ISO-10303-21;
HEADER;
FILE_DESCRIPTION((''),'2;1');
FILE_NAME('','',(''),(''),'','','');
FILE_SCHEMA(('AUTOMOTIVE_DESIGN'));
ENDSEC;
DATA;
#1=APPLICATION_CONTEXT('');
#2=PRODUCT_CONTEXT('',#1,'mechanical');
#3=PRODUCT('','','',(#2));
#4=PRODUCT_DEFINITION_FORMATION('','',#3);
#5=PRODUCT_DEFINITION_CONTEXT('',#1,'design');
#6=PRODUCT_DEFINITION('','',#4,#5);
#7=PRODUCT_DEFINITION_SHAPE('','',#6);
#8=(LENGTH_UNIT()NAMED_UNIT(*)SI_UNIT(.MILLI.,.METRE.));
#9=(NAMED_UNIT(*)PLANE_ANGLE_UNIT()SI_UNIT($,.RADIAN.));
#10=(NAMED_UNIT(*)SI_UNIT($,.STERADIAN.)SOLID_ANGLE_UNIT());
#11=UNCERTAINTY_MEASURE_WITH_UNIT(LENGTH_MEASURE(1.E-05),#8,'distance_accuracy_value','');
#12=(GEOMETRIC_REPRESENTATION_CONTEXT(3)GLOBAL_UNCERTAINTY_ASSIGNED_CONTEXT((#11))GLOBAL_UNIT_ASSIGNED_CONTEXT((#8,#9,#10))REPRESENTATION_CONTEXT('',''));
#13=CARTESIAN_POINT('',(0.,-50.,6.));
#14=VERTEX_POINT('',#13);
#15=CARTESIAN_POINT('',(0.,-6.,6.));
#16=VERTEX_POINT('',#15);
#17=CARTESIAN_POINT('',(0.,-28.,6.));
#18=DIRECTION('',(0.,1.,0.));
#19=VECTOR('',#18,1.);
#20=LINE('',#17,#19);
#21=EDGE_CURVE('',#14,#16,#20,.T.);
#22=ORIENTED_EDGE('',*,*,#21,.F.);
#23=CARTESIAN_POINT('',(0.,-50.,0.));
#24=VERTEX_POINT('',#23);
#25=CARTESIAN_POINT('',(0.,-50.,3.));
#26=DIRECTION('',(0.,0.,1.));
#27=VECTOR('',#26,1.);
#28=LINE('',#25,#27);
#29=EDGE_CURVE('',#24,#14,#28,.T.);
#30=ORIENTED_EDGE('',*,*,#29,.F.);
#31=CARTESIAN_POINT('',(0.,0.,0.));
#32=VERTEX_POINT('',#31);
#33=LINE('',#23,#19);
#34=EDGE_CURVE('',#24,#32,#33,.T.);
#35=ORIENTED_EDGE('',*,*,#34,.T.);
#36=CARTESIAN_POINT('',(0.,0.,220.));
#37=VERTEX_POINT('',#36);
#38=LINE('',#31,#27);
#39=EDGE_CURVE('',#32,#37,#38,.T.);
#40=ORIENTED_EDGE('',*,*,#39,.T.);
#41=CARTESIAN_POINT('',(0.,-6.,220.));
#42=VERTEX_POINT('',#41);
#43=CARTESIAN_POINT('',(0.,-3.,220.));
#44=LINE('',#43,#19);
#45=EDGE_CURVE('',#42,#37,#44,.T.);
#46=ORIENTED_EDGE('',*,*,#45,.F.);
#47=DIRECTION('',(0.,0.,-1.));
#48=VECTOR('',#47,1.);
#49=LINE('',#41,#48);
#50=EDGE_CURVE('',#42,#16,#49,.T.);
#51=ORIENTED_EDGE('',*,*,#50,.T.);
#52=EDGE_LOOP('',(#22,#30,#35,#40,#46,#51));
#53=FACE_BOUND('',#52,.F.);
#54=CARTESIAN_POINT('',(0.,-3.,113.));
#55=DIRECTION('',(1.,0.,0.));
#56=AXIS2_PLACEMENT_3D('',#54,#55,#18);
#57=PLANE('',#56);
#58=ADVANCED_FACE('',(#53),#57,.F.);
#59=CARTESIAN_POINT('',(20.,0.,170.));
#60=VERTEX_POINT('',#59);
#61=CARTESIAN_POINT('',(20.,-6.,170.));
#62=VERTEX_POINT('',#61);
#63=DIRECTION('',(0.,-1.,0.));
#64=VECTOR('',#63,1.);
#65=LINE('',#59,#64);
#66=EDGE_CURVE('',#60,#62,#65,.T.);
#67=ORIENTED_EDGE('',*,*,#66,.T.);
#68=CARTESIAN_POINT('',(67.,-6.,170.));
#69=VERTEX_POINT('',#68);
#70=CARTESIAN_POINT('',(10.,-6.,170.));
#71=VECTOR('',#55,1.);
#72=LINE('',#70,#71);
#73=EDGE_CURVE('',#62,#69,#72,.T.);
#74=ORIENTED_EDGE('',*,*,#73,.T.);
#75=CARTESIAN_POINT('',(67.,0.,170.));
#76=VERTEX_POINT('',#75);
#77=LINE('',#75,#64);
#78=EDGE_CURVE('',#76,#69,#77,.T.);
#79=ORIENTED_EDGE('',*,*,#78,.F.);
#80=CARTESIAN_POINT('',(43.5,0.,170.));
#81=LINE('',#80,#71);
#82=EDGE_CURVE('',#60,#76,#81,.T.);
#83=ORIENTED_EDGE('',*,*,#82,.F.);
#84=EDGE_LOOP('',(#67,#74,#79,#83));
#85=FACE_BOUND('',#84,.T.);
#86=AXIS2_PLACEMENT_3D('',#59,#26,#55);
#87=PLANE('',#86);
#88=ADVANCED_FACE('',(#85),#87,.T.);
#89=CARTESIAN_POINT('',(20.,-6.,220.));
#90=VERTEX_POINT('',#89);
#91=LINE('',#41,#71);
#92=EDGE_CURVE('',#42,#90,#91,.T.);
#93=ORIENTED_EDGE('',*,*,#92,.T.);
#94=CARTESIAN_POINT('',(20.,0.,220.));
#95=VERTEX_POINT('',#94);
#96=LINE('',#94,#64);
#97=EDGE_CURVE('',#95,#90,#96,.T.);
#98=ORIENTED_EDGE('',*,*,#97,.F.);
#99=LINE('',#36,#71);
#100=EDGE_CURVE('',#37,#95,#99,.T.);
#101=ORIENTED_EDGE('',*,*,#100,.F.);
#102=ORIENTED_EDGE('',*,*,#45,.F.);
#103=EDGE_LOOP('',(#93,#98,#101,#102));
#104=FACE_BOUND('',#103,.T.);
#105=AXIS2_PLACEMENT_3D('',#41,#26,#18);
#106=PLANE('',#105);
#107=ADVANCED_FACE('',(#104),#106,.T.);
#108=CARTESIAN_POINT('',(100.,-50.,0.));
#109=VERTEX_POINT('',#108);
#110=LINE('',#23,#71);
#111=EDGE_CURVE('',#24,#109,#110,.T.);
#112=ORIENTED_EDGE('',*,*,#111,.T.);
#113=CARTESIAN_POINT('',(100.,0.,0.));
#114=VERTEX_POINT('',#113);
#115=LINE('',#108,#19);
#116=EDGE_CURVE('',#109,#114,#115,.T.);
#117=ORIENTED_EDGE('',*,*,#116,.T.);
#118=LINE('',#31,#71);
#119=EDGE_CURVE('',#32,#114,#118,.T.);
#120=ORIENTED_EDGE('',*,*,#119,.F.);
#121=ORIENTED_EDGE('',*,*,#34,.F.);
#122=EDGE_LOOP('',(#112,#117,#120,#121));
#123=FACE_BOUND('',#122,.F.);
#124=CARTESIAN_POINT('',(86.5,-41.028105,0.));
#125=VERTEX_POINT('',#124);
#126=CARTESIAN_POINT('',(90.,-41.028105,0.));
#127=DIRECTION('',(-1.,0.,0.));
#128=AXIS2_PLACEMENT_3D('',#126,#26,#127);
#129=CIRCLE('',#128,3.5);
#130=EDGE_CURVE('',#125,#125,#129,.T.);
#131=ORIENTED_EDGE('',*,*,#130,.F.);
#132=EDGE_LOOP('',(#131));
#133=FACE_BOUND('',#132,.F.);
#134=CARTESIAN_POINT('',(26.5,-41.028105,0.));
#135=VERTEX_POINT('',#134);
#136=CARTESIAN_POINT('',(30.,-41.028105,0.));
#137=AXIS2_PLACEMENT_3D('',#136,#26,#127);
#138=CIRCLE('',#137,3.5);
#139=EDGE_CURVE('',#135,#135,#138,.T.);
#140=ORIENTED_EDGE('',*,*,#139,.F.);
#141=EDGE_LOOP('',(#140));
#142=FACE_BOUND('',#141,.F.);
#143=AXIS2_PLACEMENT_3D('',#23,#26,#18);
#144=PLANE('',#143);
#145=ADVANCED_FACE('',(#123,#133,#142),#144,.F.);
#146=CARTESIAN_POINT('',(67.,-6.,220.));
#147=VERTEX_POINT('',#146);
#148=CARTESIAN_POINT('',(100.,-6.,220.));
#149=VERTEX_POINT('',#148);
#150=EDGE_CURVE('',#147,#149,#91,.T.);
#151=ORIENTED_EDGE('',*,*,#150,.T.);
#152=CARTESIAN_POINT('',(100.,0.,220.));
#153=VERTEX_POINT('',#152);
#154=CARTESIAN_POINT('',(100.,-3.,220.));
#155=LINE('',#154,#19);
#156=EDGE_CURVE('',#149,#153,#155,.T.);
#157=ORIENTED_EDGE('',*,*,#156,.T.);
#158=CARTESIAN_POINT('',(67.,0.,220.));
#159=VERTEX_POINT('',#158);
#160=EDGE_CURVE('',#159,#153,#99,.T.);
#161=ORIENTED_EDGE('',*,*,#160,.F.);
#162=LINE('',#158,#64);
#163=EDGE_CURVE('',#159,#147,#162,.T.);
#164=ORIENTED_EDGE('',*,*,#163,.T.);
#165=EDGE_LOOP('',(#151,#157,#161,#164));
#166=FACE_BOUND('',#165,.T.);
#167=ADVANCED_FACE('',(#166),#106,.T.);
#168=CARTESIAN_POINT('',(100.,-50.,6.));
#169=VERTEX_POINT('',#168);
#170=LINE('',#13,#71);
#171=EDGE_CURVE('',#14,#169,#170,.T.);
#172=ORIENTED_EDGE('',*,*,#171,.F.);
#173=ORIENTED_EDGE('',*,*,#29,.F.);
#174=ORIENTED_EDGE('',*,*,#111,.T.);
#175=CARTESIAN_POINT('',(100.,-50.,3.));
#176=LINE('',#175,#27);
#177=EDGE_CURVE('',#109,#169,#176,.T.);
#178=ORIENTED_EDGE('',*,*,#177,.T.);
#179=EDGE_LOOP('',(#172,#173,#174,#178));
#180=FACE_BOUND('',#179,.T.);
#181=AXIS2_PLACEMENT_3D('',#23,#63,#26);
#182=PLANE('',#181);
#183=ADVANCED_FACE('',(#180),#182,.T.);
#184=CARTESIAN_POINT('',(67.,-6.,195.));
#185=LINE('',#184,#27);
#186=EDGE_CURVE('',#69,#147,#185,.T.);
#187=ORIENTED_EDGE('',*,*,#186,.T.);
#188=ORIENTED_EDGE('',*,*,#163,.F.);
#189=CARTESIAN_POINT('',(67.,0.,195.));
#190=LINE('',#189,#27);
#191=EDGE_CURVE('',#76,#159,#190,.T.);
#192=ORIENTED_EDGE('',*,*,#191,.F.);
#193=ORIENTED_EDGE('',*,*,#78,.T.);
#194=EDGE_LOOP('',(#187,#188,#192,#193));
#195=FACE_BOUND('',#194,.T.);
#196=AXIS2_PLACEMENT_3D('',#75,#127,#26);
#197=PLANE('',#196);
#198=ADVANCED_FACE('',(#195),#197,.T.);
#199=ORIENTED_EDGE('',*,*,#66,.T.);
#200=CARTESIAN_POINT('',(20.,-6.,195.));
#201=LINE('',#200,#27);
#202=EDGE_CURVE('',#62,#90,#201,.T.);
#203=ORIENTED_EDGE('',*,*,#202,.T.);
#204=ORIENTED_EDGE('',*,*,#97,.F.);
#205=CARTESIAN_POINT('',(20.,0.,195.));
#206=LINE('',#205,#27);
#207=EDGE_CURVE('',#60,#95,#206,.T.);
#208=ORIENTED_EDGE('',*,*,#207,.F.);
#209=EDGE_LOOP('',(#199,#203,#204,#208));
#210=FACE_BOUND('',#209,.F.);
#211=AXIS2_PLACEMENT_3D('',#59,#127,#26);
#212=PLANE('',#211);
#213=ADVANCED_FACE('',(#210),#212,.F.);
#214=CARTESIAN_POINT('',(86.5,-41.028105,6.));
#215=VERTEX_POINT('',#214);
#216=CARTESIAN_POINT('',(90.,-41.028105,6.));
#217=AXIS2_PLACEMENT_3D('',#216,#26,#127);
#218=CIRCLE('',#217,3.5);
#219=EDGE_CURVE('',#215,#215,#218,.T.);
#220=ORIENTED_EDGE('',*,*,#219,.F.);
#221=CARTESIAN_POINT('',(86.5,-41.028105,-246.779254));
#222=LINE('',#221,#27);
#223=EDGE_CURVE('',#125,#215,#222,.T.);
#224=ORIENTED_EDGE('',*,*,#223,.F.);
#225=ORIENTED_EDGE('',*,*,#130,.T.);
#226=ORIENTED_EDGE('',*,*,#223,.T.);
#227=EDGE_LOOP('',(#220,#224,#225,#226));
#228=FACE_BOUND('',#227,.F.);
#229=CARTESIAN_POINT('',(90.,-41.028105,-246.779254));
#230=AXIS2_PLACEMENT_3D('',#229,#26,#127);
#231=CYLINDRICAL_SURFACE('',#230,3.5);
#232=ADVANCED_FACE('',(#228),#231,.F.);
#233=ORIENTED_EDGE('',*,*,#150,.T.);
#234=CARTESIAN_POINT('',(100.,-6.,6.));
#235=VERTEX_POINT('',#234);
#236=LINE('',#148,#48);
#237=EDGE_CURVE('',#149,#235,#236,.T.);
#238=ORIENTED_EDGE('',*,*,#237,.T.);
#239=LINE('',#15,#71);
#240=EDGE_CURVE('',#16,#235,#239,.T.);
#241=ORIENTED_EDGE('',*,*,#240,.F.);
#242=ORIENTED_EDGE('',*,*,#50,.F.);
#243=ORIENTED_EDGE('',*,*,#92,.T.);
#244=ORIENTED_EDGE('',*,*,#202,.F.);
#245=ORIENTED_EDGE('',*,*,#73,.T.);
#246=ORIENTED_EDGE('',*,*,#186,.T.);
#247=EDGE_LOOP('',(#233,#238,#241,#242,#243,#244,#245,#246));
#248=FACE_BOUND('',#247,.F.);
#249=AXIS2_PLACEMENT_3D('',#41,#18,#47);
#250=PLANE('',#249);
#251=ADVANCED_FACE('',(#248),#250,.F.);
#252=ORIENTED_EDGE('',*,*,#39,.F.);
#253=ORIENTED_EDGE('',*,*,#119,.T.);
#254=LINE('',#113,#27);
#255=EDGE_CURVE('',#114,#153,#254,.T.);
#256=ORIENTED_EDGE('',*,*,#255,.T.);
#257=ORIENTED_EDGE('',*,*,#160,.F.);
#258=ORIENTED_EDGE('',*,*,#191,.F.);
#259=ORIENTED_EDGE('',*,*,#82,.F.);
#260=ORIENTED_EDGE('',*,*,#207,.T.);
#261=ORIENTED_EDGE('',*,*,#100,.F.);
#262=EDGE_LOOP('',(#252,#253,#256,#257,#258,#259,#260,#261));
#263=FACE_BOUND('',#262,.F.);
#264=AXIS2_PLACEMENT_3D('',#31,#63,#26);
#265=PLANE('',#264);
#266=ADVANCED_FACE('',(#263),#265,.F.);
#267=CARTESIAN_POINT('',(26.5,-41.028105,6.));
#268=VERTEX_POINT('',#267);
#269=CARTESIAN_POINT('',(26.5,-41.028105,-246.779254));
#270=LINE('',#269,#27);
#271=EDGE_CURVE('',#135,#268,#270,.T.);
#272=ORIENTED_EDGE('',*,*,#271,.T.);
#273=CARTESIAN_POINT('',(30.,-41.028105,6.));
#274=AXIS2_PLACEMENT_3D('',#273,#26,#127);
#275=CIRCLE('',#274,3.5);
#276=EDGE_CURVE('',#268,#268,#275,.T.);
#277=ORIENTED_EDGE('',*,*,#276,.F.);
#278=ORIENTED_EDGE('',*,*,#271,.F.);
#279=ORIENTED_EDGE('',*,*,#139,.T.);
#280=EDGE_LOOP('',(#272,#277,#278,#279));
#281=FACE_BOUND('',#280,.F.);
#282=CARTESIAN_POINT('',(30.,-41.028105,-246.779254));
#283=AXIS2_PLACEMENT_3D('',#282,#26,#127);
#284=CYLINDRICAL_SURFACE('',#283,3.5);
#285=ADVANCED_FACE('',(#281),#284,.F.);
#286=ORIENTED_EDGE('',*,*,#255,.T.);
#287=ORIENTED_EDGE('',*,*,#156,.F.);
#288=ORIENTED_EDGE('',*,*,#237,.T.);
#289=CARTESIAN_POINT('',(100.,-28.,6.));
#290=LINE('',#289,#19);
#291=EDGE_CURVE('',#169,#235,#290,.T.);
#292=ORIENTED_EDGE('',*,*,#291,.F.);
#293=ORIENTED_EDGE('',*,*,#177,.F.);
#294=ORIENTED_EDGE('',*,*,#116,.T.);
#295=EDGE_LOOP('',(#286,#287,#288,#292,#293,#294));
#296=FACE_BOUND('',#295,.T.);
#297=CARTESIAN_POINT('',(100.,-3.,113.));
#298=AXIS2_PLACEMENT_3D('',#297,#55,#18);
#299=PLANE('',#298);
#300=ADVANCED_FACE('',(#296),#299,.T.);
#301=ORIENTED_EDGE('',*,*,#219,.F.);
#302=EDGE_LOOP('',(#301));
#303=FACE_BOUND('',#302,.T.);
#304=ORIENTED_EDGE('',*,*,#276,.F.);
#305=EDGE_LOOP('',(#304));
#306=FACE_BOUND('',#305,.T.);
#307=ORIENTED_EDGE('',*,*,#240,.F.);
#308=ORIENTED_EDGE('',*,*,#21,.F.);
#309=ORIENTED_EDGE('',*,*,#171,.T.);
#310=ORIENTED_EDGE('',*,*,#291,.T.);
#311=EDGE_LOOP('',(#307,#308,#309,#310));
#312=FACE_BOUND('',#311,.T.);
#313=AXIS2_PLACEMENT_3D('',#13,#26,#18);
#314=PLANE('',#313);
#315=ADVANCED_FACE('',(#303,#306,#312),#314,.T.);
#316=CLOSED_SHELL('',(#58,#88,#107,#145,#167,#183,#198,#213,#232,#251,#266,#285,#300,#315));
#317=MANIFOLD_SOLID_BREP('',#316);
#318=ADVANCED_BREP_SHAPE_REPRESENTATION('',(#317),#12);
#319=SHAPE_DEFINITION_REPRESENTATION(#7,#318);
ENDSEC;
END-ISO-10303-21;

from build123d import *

# Parameters (mm, degrees)
F0_W     = 6
F0_H     = 214
F0_H_2   = 6
F0_W_2   = 44
F1_DEPTH = 100
F3_D     = 7
F4_W     = 47
F4_H     = 50
F5_DEPTH = 25


with BuildPart() as f1:
    # F0 (on Right) → F1 (new body)
    with BuildSketch(Plane.YZ):
        with Locations((-3, 113)):
            Rectangle(F0_W, F0_H)
        with Locations((-3, 3)):
            Rectangle(F0_W, F0_H_2)
        with Locations((-28, 3)):
            Rectangle(F0_W_2, F0_H_2)
    extrude(amount=F1_DEPTH)

    # F3 (through all)
    with Locations(Plane(origin=(0, 0, 0), x_dir=(1, 0, 0), z_dir=(0, 0, -1))):
        with Locations((30, 41.0281047225), (90, 41.0281047225)):
            Hole(F3_D / 2)

    # F4 (on Front) → F5 (cut)
    with BuildSketch(Plane.XZ):
        with Locations((43.5, 195)):
            Rectangle(F4_W, F4_H)
    extrude(amount=F5_DEPTH, mode=Mode.SUBTRACT)


with BuildPart() as f6_1:
    # F6: instance of F1
    add(f1.part.mirror(Plane.XZ))


solid = f1.part
